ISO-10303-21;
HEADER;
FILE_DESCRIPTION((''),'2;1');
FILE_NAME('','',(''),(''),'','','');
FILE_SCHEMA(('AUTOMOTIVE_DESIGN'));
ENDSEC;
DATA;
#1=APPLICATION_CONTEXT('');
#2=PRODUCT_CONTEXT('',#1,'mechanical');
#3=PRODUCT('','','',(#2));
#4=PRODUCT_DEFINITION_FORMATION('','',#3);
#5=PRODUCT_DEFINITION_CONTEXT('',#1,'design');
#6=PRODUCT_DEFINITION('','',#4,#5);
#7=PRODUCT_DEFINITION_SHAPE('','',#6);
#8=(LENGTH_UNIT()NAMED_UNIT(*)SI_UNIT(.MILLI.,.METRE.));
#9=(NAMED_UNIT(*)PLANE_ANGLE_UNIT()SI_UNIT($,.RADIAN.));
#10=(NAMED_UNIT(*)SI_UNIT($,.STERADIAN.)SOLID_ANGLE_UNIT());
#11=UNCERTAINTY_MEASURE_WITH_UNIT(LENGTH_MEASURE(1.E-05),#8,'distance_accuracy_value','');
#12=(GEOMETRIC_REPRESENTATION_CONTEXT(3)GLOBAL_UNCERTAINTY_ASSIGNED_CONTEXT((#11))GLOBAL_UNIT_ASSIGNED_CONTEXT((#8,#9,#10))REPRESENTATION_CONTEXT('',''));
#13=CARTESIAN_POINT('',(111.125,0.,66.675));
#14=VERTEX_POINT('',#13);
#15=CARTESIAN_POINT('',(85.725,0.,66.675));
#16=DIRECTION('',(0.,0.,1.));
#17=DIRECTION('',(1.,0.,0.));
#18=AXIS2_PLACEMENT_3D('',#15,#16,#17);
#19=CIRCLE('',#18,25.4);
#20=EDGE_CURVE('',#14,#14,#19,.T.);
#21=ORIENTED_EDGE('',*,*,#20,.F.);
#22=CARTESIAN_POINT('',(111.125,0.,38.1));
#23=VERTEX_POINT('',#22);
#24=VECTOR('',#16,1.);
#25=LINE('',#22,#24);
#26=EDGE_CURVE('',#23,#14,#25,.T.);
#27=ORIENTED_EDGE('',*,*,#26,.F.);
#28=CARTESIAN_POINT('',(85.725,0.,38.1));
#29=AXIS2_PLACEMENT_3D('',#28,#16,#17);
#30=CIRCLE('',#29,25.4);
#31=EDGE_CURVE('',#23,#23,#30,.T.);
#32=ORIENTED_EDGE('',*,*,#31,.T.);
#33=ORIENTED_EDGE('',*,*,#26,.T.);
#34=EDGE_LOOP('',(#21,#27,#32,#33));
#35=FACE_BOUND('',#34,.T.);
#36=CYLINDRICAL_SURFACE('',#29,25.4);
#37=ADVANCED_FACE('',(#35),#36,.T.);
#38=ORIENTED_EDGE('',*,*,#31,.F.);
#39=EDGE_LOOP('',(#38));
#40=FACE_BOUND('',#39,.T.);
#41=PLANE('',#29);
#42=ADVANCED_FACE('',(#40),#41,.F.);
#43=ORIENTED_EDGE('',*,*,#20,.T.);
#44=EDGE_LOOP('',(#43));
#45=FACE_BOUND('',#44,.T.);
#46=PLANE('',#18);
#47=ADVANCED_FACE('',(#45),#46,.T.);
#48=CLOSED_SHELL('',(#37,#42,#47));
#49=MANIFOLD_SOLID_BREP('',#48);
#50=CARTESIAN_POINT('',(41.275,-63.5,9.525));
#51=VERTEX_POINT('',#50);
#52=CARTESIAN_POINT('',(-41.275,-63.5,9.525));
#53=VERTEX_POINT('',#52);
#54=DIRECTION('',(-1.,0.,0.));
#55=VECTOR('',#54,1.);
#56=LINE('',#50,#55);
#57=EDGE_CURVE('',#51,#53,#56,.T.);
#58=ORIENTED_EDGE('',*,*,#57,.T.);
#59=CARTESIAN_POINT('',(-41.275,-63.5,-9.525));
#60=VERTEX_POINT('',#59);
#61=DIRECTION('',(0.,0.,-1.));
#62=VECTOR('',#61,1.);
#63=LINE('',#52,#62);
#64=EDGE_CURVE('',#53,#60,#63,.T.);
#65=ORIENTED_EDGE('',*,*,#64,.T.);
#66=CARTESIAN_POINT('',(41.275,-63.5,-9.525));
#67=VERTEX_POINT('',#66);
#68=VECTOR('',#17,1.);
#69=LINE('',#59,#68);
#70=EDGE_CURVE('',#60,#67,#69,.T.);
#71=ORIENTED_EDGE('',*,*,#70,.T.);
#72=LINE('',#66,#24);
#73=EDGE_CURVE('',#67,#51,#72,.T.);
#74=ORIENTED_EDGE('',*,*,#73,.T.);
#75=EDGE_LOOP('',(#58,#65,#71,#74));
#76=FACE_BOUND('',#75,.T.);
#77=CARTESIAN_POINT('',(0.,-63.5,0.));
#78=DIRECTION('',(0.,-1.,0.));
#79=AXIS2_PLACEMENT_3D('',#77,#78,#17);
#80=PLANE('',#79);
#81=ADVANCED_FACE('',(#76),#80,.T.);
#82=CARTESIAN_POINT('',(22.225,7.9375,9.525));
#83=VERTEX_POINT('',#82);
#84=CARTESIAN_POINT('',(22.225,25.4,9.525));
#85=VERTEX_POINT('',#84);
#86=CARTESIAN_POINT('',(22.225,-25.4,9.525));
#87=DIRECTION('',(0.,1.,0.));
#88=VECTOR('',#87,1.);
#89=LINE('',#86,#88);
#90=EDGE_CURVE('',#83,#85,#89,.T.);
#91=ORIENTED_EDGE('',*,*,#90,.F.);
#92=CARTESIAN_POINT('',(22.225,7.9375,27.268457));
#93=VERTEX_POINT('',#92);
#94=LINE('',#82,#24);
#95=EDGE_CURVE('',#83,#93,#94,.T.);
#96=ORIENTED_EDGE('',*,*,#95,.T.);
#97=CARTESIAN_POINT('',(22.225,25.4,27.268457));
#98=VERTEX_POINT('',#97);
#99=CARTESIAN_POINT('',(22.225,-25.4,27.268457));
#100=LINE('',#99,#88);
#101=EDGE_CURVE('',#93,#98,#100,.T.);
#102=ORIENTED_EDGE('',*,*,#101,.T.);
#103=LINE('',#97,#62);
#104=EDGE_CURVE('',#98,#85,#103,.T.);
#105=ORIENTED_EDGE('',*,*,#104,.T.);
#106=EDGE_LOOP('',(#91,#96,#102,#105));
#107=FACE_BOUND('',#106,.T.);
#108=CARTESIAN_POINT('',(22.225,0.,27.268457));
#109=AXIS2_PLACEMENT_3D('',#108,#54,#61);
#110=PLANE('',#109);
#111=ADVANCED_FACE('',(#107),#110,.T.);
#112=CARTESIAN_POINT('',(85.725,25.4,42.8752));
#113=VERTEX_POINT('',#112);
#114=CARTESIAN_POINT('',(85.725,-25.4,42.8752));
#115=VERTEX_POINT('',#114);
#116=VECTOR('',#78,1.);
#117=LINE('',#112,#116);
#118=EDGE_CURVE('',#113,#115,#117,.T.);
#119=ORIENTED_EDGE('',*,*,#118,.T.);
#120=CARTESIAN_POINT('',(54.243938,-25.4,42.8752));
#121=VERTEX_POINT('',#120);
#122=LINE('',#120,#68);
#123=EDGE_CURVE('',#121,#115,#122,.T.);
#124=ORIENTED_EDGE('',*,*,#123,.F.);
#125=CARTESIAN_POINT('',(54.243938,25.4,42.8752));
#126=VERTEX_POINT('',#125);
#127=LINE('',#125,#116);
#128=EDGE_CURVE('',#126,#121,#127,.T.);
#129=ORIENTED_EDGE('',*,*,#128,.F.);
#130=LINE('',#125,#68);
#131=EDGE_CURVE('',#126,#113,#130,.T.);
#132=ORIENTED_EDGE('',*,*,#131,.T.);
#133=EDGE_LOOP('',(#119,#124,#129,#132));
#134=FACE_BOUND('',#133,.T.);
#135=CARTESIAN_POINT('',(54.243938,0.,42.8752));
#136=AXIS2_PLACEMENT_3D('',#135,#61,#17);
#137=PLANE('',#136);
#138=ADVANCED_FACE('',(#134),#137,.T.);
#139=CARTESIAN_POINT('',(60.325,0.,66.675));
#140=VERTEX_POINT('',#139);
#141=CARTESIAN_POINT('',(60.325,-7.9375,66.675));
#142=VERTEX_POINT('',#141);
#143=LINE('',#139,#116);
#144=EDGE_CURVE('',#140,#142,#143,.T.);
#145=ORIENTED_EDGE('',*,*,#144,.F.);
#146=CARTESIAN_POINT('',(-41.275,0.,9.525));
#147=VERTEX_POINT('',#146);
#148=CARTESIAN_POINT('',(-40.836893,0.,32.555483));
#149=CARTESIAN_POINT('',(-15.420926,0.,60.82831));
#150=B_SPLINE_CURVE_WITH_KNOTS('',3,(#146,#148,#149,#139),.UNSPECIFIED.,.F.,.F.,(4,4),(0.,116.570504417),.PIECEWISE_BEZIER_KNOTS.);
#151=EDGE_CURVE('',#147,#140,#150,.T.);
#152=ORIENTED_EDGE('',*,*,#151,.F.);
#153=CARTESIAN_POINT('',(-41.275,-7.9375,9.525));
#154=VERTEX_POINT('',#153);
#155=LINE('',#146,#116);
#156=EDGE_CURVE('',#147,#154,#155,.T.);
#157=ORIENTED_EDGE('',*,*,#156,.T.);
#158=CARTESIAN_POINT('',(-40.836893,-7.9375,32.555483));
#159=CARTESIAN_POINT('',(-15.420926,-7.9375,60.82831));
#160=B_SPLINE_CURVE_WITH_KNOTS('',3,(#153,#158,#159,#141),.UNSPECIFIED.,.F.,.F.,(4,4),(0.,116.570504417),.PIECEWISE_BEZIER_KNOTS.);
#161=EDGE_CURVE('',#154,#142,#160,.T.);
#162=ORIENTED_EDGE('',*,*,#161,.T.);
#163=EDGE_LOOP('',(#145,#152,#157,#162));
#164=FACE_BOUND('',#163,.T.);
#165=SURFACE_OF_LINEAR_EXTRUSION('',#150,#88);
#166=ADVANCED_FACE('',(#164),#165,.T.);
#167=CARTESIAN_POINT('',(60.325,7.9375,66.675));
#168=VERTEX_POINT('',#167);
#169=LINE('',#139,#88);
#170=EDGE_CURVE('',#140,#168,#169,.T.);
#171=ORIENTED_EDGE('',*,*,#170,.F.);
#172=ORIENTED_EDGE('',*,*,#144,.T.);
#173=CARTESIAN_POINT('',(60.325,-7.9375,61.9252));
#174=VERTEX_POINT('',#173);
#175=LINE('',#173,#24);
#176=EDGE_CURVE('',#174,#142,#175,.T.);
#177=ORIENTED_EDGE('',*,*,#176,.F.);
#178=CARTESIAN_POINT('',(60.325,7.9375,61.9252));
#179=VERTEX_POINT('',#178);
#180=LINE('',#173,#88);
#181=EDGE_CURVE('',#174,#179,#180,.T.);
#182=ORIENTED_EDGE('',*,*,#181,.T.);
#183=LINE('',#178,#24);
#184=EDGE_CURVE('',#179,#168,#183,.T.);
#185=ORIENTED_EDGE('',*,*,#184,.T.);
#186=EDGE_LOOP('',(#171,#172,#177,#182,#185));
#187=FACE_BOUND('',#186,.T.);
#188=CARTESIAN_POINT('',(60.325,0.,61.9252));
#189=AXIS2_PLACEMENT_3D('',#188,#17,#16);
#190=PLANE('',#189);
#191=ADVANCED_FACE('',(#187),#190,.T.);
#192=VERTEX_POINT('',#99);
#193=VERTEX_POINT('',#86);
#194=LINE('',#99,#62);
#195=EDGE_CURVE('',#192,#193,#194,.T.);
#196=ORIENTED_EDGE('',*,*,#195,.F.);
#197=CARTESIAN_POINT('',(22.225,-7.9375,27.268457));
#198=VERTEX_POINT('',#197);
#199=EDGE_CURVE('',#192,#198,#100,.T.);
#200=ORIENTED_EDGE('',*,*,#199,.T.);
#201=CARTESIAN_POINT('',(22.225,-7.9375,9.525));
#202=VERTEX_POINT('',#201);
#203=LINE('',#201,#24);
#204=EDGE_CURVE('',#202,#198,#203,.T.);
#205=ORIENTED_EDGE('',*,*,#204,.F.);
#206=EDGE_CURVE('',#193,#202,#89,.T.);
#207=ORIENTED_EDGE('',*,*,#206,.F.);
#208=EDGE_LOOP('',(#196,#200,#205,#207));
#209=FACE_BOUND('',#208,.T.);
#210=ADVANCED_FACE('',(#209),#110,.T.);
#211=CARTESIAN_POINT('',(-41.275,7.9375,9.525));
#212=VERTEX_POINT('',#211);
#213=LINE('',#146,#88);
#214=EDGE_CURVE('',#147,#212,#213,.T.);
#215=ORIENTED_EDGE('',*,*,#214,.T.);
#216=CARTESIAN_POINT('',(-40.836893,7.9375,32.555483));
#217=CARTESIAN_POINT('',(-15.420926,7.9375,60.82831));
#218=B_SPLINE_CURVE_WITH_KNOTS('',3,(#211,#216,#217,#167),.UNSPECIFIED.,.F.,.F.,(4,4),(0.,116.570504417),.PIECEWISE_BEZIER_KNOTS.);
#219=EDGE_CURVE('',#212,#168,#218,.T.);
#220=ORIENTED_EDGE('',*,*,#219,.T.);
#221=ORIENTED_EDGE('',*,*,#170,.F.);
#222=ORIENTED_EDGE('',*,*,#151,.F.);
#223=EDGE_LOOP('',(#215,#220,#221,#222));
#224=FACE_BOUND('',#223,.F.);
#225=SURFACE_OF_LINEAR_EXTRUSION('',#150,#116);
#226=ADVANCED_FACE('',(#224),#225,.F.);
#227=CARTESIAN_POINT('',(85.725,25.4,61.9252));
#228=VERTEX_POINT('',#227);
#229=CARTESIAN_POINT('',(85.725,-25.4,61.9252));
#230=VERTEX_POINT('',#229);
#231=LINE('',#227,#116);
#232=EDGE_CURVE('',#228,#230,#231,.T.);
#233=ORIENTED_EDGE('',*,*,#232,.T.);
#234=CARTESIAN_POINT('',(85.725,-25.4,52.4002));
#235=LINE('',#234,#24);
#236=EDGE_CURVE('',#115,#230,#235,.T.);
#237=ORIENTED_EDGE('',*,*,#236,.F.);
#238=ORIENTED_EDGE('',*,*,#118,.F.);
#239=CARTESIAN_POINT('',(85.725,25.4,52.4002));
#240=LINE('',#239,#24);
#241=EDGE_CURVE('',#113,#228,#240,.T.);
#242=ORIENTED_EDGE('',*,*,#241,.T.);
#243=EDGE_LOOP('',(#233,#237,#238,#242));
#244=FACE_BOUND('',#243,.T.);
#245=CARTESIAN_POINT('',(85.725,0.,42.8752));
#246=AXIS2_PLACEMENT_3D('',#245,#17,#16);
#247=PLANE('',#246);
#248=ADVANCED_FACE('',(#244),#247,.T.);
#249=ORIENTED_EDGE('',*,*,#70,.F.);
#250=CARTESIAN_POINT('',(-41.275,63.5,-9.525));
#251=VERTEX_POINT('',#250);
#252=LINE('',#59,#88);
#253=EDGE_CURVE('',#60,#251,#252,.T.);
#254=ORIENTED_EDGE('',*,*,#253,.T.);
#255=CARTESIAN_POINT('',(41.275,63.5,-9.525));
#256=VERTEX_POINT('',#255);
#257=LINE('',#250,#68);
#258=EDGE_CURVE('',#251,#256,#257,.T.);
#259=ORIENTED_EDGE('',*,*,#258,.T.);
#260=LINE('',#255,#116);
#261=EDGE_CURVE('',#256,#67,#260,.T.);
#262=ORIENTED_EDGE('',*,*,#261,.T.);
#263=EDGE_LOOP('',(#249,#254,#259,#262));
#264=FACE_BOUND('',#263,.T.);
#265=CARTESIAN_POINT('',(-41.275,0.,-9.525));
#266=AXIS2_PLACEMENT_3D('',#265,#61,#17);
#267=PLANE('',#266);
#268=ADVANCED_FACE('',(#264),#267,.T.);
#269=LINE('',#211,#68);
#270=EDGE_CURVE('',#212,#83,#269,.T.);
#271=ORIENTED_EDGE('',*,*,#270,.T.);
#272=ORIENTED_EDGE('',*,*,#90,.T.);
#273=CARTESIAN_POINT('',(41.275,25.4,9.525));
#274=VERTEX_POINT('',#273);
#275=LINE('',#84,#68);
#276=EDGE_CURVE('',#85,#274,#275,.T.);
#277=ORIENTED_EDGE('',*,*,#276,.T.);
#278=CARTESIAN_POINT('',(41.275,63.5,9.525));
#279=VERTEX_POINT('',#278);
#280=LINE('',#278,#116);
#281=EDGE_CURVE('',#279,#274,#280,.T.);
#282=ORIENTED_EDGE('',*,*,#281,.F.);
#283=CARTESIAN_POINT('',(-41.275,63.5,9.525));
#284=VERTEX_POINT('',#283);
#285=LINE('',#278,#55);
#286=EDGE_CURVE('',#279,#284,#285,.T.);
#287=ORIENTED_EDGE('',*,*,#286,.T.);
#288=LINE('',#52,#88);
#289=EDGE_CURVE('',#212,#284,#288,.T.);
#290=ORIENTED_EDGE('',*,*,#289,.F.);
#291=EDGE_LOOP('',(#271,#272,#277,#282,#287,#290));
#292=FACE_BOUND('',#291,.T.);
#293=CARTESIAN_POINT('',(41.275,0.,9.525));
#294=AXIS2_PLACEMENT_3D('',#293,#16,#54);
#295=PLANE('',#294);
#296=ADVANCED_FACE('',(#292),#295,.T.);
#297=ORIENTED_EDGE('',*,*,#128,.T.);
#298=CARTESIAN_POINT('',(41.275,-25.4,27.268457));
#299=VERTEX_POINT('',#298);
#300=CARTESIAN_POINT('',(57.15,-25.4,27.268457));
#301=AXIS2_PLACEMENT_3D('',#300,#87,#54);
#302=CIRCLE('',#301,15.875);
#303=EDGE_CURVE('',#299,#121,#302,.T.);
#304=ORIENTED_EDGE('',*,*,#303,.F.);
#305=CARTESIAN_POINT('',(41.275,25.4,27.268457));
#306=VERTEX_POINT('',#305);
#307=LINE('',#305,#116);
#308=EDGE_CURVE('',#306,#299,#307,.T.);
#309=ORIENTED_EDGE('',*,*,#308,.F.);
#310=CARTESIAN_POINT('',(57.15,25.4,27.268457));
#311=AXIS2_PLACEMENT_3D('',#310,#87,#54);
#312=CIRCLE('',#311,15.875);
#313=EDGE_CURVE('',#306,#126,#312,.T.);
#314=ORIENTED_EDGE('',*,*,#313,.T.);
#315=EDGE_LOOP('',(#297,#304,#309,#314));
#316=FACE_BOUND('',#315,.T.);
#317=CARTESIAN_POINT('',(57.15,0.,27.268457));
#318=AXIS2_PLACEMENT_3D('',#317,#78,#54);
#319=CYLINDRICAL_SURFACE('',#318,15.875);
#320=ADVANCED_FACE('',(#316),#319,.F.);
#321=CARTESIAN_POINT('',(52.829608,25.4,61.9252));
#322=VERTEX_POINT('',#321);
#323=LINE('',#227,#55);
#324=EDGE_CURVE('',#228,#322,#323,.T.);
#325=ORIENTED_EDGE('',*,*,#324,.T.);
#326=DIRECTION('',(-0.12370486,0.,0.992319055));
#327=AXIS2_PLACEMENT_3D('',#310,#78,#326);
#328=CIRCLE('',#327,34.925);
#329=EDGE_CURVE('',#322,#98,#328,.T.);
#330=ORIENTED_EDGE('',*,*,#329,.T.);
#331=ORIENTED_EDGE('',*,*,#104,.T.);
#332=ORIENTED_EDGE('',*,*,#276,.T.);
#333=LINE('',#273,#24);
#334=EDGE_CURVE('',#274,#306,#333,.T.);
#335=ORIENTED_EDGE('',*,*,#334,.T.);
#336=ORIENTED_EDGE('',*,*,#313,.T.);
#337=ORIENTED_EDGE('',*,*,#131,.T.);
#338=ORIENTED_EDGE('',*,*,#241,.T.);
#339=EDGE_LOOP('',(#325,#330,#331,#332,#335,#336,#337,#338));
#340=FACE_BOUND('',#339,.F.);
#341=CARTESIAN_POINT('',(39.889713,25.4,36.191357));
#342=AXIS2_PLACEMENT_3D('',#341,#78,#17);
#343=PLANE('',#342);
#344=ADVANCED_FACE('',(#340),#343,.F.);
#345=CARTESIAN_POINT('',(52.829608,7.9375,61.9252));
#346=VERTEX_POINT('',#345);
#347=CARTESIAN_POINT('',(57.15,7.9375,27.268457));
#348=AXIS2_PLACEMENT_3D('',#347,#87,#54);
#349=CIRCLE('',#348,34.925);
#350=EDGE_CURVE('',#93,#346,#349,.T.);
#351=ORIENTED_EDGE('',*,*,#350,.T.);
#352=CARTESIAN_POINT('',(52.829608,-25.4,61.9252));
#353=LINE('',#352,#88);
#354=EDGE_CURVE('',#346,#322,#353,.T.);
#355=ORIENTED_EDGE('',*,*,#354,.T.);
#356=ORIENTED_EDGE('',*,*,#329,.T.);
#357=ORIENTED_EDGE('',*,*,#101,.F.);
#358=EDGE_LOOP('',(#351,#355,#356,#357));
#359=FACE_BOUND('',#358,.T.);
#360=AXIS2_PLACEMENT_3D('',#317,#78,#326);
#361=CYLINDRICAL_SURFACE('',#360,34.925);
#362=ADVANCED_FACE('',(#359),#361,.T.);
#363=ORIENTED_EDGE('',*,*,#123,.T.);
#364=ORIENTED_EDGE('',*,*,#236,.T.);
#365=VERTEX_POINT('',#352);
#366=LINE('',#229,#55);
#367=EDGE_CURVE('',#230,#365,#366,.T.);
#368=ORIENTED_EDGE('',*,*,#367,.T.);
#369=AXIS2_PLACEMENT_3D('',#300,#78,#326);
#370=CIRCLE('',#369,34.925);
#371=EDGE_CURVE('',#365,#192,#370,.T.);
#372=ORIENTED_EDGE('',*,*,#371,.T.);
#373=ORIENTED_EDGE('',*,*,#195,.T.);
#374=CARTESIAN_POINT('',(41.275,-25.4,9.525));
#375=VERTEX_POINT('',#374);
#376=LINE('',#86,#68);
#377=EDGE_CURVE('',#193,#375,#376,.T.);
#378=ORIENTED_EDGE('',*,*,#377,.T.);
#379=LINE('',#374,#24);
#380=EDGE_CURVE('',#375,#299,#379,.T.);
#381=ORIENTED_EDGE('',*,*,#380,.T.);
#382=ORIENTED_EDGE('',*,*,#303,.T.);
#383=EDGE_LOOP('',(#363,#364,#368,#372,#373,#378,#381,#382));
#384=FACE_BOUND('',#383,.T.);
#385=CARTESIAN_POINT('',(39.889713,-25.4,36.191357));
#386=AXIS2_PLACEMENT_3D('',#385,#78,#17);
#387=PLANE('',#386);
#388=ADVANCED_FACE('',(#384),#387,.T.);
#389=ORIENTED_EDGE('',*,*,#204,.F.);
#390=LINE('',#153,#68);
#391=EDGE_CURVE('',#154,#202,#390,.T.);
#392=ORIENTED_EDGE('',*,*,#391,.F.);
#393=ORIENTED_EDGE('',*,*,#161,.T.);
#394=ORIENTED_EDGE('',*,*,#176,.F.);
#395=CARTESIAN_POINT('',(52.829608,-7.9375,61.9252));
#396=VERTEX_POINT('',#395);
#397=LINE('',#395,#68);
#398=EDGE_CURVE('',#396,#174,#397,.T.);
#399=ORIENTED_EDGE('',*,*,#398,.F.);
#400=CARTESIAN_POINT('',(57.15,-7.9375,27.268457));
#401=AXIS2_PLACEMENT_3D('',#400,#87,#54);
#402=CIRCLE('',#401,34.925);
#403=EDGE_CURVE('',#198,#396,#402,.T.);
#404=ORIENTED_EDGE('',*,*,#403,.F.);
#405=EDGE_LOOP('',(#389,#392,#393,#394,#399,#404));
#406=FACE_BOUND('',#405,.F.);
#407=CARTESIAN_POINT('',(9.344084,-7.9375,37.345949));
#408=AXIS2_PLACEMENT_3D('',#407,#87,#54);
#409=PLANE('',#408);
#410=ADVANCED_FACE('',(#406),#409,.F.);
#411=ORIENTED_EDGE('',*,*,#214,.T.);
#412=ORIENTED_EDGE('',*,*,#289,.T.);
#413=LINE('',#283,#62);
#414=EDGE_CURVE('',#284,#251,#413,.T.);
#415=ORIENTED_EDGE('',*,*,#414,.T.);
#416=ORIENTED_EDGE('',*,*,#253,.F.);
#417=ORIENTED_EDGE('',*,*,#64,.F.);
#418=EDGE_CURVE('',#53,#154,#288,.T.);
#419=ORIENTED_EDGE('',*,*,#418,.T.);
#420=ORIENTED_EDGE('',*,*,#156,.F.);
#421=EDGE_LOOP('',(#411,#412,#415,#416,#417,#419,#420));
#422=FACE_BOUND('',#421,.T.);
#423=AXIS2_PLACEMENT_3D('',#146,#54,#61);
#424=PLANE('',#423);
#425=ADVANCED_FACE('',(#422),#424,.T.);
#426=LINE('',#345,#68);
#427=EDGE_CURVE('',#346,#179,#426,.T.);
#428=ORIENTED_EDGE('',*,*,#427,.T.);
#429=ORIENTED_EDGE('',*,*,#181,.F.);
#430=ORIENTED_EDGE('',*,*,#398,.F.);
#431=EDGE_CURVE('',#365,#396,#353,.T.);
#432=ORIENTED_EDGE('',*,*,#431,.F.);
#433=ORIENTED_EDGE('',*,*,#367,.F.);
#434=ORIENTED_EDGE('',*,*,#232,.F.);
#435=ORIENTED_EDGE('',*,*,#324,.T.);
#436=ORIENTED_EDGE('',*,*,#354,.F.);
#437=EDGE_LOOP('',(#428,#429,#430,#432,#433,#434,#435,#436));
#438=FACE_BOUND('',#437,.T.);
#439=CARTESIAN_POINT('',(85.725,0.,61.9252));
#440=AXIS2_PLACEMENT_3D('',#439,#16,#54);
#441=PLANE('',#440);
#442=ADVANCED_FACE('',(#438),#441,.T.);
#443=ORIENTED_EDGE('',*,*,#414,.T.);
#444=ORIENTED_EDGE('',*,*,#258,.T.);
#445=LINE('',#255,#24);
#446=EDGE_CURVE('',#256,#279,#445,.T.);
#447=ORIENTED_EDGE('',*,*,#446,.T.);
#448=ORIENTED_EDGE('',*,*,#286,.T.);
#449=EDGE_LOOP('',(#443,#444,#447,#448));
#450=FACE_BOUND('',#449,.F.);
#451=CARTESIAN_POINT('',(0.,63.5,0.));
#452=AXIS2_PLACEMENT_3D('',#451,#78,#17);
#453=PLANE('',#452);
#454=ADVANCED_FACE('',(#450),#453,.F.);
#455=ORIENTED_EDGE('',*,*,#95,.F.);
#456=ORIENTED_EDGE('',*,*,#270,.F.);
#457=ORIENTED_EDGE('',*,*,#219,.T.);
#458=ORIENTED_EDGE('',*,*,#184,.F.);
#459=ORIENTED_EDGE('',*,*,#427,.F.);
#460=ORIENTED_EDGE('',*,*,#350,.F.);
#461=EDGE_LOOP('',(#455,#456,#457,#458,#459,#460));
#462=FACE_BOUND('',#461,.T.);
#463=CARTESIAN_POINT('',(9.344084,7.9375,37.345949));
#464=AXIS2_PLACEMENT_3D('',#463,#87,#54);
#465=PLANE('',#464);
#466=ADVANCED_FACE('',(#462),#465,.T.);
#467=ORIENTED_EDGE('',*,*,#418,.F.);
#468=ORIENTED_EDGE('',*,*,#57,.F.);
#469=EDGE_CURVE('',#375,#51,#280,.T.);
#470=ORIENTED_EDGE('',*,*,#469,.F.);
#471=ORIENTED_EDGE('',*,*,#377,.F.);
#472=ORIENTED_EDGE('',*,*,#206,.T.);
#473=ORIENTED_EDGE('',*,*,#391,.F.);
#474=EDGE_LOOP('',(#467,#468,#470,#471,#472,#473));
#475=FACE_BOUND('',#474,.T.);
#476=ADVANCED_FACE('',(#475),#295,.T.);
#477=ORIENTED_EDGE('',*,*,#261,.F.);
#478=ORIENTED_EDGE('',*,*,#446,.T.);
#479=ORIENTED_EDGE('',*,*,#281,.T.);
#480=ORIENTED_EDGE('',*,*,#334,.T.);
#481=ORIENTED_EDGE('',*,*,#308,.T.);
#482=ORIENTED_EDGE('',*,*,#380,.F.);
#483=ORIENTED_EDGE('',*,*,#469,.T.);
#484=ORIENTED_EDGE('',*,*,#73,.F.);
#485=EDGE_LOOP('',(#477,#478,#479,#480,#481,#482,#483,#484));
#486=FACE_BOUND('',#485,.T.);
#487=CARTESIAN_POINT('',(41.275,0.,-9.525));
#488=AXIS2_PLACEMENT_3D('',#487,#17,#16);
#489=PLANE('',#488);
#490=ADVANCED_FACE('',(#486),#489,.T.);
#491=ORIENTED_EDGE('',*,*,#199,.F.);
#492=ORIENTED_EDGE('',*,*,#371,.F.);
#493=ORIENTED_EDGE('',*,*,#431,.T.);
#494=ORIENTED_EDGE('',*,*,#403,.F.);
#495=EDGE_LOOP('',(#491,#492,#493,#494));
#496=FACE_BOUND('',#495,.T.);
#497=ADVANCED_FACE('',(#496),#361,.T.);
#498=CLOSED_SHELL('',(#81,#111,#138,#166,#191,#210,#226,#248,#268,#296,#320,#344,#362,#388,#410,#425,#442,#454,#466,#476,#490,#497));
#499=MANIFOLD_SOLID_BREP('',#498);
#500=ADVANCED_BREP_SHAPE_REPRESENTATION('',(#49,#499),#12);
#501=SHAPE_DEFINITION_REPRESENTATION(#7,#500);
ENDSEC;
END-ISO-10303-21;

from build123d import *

# Parameters (mm, degrees)
F1_DEPTH = 63.5
F0_W     = 25.4
F0_H     = 19.05
F2_DEPTH = 25.4
F3_DEPTH = 7.9375


with BuildPart() as f1:
    # F0 (on Front) → F1 (new body, symmetric)
    with BuildSketch(Plane.XZ):
        Polygon((-41.275, -9.525), (41.275, -9.525), (41.275, 9.525), (22.225, 9.525), (-41.275, 9.525), align=None)
    extrude(amount=F1_DEPTH, both=True)

    # F0 (on Front) → F2 (join, symmetric)
    with BuildSketch(Plane.XZ):
        with BuildLine():
            Line((22.225, 9.525), (41.275, 9.525))
            Line((41.275, 9.525), (41.275, 27.268456991))
            ThreePointArc((41.275, 27.268456991), (44.9403856979, 37.4144386387), (54.2439377757, 42.8752))
            Line((54.2439377757, 42.8752), (60.325, 42.8752))
            Line((60.325, 42.8752), (60.325, 61.9252))
            Line((60.325, 61.9252), (52.8296077714, 61.9252))
            ThreePointArc((52.8296077714, 61.9252), (30.9713319324, 50.3862631847), (22.225, 27.268456991))
            Line((22.225, 27.268456991), (22.225, 9.525))
        make_face()
        with Locations((73.025, 52.4002)):
            Rectangle(F0_W, F0_H)
    extrude(amount=F2_DEPTH, both=True)

    # F0 (on Front) → F3 (join, symmetric)
    with BuildSketch(Plane.XZ):
        with BuildLine():
            add(Edge.make_bspline(
                [(-41.275, 9.525), (-40.8368930221, 32.5554832816), (-15.4209258035, 60.8283095062), (60.325, 66.675)],
                knots=[0, 0, 0, 0, 116.5705044169, 116.5705044169, 116.5705044169, 116.5705044169], degree=3))
            Line((-41.275, 9.525), (22.225, 9.525))
            Line((22.225, 9.525), (22.225, 27.268456991))
            ThreePointArc((22.225, 27.268456991), (30.9713319324, 50.3862631847), (52.8296077714, 61.9252))
            Line((52.8296077714, 61.9252), (60.325, 61.9252))
            Line((60.325, 61.9252), (60.325, 66.675))
        make_face()
    extrude(amount=F3_DEPTH, both=True)


with BuildPart() as f4:
    # F0 (on Front) → F4 (revolve)
    with BuildSketch(Plane.XZ):
        Polygon((111.125, 66.675), (85.725, 66.675), (85.725, 61.9252), (85.725, 42.8752), (85.725, 38.1), (111.125, 38.1), align=None)
    revolve(axis=Axis((85.725, 0, 52.3875), (0, 0, 1)))


solid = Compound([f1.part, f4.part])
